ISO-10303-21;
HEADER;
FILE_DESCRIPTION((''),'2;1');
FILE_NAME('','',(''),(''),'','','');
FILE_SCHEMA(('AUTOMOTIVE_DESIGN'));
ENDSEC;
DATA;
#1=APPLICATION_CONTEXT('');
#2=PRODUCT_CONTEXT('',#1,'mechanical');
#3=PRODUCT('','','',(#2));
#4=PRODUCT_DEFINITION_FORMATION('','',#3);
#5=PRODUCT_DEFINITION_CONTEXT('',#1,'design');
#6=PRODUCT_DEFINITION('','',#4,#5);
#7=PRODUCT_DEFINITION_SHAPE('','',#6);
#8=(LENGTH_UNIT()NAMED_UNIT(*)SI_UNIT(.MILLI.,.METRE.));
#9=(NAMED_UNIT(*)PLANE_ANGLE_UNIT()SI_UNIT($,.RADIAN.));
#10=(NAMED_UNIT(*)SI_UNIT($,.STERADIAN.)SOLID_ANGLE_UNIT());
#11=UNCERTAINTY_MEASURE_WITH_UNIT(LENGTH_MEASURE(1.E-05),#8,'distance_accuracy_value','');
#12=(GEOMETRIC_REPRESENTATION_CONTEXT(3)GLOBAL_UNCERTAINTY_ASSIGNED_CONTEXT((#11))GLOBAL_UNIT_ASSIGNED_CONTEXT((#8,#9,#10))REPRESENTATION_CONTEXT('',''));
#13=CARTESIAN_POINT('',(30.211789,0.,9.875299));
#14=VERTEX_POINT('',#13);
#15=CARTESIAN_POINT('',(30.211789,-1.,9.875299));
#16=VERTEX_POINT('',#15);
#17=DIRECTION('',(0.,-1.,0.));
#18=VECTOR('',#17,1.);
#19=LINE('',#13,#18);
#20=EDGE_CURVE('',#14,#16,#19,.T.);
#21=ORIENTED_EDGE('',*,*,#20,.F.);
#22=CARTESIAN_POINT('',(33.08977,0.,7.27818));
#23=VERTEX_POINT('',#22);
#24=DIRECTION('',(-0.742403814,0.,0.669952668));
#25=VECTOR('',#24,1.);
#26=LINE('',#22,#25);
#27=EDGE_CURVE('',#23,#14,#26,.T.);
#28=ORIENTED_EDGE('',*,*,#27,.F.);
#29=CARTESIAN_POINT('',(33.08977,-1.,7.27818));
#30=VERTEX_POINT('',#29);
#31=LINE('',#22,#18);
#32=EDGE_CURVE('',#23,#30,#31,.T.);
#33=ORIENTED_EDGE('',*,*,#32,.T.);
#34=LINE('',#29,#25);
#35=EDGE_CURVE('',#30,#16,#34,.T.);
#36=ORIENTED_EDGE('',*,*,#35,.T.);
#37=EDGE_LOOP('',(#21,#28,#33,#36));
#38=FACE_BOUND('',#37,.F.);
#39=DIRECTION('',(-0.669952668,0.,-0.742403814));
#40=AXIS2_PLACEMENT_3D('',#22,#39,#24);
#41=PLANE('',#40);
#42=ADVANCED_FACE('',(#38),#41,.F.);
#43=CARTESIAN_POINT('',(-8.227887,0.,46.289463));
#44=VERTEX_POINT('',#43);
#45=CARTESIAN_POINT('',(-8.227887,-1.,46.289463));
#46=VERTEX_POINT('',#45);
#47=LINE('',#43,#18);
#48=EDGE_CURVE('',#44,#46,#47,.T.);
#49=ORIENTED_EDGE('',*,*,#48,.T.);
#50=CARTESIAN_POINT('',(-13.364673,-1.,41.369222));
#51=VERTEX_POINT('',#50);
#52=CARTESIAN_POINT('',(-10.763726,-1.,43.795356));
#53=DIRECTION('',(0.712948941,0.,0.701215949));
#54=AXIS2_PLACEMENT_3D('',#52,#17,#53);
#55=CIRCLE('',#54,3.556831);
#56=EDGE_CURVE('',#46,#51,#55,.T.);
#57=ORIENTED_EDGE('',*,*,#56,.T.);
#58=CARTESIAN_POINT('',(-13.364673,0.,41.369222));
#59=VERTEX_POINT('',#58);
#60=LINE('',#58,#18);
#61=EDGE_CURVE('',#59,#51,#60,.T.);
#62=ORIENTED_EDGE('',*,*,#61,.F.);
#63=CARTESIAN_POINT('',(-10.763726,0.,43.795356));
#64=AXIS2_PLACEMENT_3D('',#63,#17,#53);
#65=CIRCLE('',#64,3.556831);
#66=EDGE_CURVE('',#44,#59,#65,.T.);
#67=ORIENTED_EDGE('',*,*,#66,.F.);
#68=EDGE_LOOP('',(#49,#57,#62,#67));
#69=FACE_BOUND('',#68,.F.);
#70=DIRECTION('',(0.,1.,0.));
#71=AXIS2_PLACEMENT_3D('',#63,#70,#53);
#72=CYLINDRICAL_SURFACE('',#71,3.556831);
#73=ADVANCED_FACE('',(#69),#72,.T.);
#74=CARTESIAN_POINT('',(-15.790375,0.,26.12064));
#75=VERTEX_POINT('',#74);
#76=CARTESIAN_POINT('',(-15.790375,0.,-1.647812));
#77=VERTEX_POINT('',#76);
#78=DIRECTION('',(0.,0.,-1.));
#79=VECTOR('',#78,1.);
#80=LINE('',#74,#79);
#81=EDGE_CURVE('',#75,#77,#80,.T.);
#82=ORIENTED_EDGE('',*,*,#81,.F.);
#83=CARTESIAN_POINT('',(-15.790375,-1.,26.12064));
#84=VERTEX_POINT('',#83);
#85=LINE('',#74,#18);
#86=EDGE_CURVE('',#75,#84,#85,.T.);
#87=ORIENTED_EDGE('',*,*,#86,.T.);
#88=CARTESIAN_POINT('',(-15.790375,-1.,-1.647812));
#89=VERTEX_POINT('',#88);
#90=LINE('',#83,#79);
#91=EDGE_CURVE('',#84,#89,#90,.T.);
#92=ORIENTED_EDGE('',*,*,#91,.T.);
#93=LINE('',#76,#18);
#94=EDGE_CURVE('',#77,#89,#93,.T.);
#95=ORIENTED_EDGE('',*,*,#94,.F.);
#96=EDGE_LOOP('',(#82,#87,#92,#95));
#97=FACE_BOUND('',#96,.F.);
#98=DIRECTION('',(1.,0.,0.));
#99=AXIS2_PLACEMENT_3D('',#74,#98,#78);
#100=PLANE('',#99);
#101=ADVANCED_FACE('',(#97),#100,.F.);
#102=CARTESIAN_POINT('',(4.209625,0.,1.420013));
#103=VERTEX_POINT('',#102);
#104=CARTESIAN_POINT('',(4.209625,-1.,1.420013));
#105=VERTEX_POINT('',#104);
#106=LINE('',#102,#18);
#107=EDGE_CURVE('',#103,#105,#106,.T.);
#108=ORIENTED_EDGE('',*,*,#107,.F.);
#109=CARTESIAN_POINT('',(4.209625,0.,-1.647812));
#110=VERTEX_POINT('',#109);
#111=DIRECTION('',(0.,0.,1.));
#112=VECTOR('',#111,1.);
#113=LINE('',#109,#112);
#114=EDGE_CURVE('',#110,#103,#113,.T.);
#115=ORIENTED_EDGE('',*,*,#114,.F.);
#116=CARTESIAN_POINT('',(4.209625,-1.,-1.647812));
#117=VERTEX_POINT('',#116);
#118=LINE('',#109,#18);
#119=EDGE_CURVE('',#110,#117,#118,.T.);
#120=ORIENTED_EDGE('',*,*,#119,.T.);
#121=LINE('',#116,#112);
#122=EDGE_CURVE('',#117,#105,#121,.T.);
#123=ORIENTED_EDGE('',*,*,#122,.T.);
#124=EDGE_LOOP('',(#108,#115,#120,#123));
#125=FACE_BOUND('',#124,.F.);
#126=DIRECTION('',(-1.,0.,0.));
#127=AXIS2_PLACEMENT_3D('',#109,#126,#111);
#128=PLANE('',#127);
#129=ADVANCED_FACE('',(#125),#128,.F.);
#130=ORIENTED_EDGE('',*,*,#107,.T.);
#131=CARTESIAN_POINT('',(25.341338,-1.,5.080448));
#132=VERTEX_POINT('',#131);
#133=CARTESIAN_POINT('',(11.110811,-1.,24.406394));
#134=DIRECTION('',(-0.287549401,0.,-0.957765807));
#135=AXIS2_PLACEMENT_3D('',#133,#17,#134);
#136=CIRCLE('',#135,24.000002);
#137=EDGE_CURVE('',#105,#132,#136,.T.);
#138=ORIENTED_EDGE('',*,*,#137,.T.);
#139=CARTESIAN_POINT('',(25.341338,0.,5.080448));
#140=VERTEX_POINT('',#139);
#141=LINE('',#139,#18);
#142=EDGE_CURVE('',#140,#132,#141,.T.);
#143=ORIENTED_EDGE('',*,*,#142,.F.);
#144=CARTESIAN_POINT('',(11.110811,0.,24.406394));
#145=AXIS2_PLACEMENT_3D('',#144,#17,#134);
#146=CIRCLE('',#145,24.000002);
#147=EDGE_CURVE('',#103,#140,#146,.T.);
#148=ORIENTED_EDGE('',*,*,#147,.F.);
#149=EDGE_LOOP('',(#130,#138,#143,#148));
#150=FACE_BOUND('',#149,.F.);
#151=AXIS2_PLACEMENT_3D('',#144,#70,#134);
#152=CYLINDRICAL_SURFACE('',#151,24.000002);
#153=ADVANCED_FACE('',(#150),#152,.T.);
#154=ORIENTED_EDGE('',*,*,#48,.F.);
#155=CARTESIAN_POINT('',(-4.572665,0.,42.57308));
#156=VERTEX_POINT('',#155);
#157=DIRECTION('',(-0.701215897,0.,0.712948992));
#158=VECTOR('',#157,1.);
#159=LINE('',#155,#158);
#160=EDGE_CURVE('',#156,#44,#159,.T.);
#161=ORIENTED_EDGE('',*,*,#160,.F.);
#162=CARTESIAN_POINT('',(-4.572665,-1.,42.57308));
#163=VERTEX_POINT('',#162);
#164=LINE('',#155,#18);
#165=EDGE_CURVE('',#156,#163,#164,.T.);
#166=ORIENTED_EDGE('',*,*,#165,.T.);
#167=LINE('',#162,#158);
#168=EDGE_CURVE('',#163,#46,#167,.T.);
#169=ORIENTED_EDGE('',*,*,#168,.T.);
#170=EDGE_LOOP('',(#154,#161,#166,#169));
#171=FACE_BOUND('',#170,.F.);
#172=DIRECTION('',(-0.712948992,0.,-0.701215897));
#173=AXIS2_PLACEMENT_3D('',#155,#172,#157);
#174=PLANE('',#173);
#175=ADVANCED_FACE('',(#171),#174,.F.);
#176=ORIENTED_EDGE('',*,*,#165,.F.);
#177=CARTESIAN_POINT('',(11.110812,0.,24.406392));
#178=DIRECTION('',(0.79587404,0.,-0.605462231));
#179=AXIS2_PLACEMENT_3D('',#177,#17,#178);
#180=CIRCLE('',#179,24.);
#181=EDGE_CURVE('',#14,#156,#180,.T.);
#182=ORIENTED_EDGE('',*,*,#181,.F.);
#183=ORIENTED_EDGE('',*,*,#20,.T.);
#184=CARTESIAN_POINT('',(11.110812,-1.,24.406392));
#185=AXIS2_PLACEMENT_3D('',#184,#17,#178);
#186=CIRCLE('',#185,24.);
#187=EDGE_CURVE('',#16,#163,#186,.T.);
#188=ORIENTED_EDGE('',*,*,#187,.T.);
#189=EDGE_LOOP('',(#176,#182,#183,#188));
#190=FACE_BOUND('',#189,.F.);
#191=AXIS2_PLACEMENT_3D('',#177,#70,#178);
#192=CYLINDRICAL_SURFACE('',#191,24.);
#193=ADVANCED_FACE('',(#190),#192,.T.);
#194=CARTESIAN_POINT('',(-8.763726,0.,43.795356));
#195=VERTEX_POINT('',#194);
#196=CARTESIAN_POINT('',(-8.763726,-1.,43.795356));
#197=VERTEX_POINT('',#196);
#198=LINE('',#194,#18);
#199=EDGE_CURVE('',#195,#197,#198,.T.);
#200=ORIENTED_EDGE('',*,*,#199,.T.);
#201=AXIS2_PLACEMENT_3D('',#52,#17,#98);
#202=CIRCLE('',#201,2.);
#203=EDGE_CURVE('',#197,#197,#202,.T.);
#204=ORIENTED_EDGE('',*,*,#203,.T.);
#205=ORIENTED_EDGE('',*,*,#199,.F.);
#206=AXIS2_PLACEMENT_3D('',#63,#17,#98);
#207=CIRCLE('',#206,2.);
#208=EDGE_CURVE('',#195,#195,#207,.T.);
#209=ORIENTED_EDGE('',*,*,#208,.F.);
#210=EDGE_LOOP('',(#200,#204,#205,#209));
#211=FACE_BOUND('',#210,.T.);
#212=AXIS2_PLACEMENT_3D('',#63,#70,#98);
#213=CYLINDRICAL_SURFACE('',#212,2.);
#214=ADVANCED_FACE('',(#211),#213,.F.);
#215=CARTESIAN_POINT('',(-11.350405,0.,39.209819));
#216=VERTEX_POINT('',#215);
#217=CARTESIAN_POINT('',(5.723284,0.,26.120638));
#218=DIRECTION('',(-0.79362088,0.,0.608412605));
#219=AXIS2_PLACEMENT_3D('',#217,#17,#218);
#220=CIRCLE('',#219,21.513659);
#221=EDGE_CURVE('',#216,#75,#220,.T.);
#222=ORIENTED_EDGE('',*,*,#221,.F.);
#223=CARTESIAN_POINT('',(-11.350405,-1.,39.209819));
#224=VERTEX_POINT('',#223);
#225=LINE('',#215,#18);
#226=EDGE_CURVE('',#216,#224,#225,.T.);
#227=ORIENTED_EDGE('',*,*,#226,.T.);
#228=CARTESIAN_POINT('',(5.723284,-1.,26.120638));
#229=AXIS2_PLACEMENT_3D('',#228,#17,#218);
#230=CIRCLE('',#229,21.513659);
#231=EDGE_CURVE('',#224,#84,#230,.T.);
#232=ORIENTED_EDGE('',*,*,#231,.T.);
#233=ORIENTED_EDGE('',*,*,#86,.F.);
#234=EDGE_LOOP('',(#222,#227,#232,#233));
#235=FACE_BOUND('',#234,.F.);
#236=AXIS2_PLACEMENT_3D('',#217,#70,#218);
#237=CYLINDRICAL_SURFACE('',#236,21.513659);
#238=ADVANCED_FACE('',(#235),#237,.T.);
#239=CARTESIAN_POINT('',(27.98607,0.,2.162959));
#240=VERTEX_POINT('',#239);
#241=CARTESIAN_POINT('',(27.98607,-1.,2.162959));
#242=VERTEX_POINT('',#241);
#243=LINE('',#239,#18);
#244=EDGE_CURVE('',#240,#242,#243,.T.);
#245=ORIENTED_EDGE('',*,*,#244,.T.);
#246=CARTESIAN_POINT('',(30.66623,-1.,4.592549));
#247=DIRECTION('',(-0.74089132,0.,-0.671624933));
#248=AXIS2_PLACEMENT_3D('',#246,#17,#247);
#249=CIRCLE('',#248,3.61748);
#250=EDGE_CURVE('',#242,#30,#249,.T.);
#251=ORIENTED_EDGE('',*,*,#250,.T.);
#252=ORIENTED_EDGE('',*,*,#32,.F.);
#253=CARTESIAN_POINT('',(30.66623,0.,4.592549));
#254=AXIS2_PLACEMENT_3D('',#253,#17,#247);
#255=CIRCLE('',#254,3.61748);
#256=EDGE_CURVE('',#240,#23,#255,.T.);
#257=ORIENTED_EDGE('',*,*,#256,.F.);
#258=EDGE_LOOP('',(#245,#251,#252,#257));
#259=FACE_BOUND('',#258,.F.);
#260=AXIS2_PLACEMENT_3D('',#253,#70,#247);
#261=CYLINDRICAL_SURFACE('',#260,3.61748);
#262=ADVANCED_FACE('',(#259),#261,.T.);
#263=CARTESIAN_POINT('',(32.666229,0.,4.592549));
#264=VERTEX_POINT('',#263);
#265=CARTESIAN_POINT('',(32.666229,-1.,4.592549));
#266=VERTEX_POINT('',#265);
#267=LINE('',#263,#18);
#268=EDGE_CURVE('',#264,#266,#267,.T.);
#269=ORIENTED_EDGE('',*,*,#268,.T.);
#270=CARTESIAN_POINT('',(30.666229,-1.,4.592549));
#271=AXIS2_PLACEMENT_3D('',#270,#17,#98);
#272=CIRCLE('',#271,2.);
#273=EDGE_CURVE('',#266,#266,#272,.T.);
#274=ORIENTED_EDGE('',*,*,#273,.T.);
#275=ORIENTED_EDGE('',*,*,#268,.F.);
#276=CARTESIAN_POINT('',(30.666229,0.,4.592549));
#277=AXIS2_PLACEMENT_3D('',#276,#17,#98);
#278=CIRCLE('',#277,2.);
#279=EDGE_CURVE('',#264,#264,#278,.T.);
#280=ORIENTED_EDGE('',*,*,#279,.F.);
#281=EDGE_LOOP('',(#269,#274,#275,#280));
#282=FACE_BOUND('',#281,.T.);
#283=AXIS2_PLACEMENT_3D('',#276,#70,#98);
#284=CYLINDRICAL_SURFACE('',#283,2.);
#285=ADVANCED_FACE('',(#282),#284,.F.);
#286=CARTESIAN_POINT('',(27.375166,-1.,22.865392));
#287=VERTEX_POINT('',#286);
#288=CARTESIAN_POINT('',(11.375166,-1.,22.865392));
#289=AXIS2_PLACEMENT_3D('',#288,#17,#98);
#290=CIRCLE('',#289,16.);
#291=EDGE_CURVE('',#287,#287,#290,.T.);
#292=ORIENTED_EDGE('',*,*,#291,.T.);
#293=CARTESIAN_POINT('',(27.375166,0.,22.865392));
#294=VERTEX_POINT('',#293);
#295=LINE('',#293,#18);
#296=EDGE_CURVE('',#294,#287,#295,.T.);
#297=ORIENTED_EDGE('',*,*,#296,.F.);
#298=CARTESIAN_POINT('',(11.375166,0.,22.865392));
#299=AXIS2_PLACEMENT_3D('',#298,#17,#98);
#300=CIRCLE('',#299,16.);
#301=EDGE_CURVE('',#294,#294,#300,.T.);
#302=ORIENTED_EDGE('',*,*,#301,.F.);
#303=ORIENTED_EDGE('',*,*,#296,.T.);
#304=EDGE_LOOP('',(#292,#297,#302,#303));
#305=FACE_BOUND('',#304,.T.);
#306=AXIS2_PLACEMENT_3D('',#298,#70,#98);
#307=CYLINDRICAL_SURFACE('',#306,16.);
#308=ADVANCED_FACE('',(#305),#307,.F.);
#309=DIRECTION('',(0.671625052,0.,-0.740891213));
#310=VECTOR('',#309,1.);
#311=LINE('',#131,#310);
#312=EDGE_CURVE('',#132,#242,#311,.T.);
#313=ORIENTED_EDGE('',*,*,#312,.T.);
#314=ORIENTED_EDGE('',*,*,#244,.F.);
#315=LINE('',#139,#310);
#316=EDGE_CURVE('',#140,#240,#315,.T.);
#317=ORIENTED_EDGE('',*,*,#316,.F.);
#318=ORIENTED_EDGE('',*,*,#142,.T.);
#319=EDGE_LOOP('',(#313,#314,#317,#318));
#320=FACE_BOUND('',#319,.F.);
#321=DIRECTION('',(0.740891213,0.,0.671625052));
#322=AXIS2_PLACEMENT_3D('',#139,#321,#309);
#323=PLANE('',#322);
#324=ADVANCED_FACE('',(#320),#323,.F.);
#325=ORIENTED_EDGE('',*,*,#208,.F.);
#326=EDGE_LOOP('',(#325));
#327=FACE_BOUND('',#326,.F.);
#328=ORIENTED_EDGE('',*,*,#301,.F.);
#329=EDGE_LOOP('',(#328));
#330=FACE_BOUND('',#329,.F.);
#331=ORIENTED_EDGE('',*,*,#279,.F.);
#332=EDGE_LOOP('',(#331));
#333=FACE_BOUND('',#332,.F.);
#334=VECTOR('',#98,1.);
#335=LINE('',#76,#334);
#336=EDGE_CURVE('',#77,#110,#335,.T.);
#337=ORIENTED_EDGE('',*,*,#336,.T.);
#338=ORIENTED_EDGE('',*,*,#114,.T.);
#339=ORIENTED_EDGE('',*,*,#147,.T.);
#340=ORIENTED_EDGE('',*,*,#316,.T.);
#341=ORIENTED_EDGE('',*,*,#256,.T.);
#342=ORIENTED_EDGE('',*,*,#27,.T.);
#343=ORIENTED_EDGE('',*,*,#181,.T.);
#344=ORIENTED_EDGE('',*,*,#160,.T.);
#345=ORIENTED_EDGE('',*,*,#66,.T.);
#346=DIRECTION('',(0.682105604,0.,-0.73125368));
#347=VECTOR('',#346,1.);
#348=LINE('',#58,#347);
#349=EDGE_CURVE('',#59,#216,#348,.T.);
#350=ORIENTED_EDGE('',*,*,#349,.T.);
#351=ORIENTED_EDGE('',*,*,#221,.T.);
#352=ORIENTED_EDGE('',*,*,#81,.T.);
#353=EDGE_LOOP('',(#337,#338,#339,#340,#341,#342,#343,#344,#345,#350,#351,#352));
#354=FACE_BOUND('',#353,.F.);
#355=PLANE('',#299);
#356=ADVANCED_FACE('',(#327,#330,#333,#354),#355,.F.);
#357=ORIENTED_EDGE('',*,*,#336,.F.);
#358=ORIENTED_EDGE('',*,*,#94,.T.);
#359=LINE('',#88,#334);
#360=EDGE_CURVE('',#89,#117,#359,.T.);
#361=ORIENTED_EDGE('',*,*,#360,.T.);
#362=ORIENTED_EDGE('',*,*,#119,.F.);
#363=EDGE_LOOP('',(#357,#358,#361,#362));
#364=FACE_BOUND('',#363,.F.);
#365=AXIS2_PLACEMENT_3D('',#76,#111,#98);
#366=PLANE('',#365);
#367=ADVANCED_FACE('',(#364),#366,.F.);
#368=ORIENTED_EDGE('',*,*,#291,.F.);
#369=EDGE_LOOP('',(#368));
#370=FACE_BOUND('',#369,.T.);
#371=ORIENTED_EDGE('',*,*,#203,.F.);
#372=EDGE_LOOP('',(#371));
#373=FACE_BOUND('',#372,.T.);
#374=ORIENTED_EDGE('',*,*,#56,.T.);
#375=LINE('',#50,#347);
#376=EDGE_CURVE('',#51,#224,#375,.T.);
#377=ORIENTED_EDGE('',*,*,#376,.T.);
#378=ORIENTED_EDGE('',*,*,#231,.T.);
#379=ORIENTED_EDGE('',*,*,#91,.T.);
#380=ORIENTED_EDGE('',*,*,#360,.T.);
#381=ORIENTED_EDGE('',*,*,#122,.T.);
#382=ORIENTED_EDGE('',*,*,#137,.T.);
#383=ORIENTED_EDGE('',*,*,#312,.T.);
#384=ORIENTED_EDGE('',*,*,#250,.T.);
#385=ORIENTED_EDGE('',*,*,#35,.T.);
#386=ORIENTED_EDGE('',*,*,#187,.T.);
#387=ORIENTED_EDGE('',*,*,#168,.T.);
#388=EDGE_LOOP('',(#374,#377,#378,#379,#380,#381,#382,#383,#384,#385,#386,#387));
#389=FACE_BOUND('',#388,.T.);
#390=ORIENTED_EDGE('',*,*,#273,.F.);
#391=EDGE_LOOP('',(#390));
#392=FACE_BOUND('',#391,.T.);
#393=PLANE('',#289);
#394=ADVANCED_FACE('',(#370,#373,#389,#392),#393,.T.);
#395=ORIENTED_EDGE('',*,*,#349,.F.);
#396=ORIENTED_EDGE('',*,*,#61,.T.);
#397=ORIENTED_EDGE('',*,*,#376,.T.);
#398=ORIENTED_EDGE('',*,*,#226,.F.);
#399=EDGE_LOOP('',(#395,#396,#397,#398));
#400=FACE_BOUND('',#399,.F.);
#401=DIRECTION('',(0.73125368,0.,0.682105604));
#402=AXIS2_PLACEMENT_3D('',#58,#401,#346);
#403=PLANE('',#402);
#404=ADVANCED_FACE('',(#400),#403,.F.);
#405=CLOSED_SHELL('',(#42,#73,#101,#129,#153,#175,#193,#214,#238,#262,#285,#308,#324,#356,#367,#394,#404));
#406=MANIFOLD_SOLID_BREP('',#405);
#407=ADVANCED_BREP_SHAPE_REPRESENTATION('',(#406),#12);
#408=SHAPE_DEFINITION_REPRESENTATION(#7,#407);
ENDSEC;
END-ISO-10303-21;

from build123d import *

# Parameters (mm, degrees)
F0_R     = 16
F0_R_2   = 2
F1_DEPTH = 1


with BuildPart() as f1:
    # F0 (on Front) → F1 (new body)
    with BuildSketch(Plane.XZ):
        with Locations((11.375166, 22.865392)):
            Circle(F0_R)
        with BuildLine():
            Line((4.209625, -1.647812), (4.209625, 1.420013))
            ThreePointArc((4.209625, 1.420013), (15.207091, 0.758549), (25.341338, 5.080448))
            Line((25.341338, 5.080448), (27.98607, 2.162959))
            ThreePointArc((27.98607, 2.162959), (33.227056, 2.037489), (33.08977, 7.27818))
            Line((33.08977, 7.27818), (30.211789, 9.875299))
            ThreePointArc((30.211789, 9.875299), (27.548758, 41.893357), (-4.572665, 42.57308))
            Line((-4.572665, 42.57308), (-8.227887, 46.289463))
            ThreePointArc((-8.227887, 46.289463), (-13.224062, 46.363974), (-13.364673, 41.369222))
            Line((-13.364673, 41.369222), (-11.350405, 39.209819))
            ThreePointArc((-11.350405, 39.209819), (-14.650167, 33.0315), (-15.790375, 26.12064))
            Line((-15.790375, 26.12064), (-15.790375, -1.647812))
            Line((-15.790375, -1.647812), (4.209625, -1.647812))
        make_face()
        with Locations((30.666229, 4.592549)):
            Circle(F0_R_2, mode=Mode.SUBTRACT)
        with Locations((11.375166, 22.865392)):
            Circle(F0_R, mode=Mode.SUBTRACT)
        with Locations((-10.763726, 43.795356)):
            Circle(F0_R_2, mode=Mode.SUBTRACT)
    extrude(amount=F1_DEPTH)


solid = f1.part
